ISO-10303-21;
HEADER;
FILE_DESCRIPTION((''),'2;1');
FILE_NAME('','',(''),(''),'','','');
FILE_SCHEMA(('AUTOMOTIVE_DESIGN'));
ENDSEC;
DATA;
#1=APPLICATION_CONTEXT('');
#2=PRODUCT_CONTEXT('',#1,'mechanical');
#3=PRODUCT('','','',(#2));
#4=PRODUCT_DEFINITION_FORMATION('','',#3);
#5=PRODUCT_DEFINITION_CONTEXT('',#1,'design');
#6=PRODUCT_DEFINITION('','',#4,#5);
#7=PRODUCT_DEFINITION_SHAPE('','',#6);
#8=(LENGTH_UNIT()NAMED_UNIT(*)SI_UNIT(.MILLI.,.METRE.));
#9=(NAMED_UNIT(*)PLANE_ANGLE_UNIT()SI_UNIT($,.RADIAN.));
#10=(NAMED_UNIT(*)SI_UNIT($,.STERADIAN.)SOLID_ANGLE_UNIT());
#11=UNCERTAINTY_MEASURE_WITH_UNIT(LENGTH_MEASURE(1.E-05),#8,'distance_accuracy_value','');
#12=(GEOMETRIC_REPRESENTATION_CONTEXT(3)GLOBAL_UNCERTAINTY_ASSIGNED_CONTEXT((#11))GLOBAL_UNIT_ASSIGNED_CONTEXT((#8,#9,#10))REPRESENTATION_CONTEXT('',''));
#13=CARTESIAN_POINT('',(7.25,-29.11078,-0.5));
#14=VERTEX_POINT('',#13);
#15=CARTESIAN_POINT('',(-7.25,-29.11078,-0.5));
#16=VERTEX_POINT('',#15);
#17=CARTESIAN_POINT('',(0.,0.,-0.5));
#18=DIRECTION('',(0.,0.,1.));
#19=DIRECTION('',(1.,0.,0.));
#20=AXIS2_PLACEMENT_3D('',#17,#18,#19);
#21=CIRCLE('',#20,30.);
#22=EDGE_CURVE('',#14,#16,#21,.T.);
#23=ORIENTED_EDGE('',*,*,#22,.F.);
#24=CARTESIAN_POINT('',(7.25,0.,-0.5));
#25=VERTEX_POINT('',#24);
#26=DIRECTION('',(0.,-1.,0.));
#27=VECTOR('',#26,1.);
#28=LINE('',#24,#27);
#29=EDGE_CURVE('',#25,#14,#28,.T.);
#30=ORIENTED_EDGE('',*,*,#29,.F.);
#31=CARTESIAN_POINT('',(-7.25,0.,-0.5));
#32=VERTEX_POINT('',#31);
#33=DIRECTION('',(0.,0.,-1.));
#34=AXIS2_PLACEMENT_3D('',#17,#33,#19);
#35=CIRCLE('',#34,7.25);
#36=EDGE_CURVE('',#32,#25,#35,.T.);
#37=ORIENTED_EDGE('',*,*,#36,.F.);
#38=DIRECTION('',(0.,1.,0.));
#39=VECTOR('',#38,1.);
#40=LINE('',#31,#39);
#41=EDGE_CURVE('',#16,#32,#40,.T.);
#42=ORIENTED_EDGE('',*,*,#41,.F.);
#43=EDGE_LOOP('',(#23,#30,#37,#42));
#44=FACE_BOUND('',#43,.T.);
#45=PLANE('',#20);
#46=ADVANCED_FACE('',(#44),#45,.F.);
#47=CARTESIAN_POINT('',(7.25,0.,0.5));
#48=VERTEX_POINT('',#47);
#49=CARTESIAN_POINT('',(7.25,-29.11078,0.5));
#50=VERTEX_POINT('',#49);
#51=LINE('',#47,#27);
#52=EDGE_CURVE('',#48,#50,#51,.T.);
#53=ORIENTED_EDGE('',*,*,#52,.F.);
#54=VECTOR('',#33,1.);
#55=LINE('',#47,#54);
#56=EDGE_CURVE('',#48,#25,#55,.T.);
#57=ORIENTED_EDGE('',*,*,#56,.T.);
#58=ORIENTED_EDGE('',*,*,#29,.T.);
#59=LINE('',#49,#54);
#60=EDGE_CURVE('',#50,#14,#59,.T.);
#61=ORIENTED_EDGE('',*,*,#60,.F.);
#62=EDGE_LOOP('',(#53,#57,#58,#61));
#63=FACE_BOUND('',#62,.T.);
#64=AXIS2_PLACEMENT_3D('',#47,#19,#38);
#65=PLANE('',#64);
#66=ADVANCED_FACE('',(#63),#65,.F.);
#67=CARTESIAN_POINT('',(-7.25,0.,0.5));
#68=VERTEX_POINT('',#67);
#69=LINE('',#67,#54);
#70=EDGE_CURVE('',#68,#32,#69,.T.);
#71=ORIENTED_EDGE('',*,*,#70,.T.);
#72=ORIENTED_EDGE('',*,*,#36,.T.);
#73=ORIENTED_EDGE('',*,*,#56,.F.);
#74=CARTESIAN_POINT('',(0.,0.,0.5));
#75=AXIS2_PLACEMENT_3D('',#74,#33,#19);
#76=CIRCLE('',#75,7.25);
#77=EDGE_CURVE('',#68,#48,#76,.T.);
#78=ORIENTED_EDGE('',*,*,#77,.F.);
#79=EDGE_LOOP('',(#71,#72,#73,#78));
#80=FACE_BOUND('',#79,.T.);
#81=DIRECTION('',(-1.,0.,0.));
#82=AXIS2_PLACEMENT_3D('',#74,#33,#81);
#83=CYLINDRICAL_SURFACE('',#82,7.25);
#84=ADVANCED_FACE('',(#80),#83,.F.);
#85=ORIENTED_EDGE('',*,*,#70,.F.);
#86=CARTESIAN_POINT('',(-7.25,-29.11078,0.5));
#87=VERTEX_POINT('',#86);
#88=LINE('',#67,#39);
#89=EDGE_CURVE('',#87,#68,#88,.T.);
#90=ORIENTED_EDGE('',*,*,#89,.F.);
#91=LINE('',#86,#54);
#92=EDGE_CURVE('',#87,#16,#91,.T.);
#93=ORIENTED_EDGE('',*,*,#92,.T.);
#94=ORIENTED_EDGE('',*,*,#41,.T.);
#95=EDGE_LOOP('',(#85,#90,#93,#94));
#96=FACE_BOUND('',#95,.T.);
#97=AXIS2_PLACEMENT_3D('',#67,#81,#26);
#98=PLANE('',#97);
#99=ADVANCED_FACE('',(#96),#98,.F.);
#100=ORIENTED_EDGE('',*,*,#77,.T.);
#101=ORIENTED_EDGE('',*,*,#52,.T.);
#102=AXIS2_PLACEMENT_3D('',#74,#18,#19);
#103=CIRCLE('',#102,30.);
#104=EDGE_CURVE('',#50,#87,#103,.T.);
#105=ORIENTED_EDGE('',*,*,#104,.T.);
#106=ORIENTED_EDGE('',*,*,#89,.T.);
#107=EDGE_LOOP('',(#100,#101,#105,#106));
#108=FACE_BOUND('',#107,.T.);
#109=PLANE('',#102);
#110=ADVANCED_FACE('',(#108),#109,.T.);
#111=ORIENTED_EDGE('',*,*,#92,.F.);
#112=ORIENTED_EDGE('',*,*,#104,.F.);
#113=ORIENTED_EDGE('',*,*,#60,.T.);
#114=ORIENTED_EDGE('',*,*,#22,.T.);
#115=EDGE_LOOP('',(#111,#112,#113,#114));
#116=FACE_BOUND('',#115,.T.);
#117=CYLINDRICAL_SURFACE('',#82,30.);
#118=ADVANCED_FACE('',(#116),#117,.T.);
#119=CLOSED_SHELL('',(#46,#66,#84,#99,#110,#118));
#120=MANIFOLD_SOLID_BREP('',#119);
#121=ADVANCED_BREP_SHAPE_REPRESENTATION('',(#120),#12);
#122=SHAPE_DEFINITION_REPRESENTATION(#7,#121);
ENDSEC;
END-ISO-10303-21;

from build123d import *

# Parameters (mm, degrees)
BOSS_EXTRUDE1_DEPTH = 0.5


with BuildPart() as part:
    # Sketch1 → Boss-Extrude1 (new, symmetric)
    with BuildSketch(Plane.XY):
        with BuildLine():
            Line((-7.25, 0), (-7.25, -29.11077979))
            ThreePointArc((-7.25, -29.11077979), (0, 30), (7.25, -29.11077979))
            Line((7.25, -29.11077979), (7.25, 0))
            ThreePointArc((7.25, 0), (0, 7.25), (-7.25, 0))
        make_face()
    extrude(amount=BOSS_EXTRUDE1_DEPTH, both=True)


solid = part.part
